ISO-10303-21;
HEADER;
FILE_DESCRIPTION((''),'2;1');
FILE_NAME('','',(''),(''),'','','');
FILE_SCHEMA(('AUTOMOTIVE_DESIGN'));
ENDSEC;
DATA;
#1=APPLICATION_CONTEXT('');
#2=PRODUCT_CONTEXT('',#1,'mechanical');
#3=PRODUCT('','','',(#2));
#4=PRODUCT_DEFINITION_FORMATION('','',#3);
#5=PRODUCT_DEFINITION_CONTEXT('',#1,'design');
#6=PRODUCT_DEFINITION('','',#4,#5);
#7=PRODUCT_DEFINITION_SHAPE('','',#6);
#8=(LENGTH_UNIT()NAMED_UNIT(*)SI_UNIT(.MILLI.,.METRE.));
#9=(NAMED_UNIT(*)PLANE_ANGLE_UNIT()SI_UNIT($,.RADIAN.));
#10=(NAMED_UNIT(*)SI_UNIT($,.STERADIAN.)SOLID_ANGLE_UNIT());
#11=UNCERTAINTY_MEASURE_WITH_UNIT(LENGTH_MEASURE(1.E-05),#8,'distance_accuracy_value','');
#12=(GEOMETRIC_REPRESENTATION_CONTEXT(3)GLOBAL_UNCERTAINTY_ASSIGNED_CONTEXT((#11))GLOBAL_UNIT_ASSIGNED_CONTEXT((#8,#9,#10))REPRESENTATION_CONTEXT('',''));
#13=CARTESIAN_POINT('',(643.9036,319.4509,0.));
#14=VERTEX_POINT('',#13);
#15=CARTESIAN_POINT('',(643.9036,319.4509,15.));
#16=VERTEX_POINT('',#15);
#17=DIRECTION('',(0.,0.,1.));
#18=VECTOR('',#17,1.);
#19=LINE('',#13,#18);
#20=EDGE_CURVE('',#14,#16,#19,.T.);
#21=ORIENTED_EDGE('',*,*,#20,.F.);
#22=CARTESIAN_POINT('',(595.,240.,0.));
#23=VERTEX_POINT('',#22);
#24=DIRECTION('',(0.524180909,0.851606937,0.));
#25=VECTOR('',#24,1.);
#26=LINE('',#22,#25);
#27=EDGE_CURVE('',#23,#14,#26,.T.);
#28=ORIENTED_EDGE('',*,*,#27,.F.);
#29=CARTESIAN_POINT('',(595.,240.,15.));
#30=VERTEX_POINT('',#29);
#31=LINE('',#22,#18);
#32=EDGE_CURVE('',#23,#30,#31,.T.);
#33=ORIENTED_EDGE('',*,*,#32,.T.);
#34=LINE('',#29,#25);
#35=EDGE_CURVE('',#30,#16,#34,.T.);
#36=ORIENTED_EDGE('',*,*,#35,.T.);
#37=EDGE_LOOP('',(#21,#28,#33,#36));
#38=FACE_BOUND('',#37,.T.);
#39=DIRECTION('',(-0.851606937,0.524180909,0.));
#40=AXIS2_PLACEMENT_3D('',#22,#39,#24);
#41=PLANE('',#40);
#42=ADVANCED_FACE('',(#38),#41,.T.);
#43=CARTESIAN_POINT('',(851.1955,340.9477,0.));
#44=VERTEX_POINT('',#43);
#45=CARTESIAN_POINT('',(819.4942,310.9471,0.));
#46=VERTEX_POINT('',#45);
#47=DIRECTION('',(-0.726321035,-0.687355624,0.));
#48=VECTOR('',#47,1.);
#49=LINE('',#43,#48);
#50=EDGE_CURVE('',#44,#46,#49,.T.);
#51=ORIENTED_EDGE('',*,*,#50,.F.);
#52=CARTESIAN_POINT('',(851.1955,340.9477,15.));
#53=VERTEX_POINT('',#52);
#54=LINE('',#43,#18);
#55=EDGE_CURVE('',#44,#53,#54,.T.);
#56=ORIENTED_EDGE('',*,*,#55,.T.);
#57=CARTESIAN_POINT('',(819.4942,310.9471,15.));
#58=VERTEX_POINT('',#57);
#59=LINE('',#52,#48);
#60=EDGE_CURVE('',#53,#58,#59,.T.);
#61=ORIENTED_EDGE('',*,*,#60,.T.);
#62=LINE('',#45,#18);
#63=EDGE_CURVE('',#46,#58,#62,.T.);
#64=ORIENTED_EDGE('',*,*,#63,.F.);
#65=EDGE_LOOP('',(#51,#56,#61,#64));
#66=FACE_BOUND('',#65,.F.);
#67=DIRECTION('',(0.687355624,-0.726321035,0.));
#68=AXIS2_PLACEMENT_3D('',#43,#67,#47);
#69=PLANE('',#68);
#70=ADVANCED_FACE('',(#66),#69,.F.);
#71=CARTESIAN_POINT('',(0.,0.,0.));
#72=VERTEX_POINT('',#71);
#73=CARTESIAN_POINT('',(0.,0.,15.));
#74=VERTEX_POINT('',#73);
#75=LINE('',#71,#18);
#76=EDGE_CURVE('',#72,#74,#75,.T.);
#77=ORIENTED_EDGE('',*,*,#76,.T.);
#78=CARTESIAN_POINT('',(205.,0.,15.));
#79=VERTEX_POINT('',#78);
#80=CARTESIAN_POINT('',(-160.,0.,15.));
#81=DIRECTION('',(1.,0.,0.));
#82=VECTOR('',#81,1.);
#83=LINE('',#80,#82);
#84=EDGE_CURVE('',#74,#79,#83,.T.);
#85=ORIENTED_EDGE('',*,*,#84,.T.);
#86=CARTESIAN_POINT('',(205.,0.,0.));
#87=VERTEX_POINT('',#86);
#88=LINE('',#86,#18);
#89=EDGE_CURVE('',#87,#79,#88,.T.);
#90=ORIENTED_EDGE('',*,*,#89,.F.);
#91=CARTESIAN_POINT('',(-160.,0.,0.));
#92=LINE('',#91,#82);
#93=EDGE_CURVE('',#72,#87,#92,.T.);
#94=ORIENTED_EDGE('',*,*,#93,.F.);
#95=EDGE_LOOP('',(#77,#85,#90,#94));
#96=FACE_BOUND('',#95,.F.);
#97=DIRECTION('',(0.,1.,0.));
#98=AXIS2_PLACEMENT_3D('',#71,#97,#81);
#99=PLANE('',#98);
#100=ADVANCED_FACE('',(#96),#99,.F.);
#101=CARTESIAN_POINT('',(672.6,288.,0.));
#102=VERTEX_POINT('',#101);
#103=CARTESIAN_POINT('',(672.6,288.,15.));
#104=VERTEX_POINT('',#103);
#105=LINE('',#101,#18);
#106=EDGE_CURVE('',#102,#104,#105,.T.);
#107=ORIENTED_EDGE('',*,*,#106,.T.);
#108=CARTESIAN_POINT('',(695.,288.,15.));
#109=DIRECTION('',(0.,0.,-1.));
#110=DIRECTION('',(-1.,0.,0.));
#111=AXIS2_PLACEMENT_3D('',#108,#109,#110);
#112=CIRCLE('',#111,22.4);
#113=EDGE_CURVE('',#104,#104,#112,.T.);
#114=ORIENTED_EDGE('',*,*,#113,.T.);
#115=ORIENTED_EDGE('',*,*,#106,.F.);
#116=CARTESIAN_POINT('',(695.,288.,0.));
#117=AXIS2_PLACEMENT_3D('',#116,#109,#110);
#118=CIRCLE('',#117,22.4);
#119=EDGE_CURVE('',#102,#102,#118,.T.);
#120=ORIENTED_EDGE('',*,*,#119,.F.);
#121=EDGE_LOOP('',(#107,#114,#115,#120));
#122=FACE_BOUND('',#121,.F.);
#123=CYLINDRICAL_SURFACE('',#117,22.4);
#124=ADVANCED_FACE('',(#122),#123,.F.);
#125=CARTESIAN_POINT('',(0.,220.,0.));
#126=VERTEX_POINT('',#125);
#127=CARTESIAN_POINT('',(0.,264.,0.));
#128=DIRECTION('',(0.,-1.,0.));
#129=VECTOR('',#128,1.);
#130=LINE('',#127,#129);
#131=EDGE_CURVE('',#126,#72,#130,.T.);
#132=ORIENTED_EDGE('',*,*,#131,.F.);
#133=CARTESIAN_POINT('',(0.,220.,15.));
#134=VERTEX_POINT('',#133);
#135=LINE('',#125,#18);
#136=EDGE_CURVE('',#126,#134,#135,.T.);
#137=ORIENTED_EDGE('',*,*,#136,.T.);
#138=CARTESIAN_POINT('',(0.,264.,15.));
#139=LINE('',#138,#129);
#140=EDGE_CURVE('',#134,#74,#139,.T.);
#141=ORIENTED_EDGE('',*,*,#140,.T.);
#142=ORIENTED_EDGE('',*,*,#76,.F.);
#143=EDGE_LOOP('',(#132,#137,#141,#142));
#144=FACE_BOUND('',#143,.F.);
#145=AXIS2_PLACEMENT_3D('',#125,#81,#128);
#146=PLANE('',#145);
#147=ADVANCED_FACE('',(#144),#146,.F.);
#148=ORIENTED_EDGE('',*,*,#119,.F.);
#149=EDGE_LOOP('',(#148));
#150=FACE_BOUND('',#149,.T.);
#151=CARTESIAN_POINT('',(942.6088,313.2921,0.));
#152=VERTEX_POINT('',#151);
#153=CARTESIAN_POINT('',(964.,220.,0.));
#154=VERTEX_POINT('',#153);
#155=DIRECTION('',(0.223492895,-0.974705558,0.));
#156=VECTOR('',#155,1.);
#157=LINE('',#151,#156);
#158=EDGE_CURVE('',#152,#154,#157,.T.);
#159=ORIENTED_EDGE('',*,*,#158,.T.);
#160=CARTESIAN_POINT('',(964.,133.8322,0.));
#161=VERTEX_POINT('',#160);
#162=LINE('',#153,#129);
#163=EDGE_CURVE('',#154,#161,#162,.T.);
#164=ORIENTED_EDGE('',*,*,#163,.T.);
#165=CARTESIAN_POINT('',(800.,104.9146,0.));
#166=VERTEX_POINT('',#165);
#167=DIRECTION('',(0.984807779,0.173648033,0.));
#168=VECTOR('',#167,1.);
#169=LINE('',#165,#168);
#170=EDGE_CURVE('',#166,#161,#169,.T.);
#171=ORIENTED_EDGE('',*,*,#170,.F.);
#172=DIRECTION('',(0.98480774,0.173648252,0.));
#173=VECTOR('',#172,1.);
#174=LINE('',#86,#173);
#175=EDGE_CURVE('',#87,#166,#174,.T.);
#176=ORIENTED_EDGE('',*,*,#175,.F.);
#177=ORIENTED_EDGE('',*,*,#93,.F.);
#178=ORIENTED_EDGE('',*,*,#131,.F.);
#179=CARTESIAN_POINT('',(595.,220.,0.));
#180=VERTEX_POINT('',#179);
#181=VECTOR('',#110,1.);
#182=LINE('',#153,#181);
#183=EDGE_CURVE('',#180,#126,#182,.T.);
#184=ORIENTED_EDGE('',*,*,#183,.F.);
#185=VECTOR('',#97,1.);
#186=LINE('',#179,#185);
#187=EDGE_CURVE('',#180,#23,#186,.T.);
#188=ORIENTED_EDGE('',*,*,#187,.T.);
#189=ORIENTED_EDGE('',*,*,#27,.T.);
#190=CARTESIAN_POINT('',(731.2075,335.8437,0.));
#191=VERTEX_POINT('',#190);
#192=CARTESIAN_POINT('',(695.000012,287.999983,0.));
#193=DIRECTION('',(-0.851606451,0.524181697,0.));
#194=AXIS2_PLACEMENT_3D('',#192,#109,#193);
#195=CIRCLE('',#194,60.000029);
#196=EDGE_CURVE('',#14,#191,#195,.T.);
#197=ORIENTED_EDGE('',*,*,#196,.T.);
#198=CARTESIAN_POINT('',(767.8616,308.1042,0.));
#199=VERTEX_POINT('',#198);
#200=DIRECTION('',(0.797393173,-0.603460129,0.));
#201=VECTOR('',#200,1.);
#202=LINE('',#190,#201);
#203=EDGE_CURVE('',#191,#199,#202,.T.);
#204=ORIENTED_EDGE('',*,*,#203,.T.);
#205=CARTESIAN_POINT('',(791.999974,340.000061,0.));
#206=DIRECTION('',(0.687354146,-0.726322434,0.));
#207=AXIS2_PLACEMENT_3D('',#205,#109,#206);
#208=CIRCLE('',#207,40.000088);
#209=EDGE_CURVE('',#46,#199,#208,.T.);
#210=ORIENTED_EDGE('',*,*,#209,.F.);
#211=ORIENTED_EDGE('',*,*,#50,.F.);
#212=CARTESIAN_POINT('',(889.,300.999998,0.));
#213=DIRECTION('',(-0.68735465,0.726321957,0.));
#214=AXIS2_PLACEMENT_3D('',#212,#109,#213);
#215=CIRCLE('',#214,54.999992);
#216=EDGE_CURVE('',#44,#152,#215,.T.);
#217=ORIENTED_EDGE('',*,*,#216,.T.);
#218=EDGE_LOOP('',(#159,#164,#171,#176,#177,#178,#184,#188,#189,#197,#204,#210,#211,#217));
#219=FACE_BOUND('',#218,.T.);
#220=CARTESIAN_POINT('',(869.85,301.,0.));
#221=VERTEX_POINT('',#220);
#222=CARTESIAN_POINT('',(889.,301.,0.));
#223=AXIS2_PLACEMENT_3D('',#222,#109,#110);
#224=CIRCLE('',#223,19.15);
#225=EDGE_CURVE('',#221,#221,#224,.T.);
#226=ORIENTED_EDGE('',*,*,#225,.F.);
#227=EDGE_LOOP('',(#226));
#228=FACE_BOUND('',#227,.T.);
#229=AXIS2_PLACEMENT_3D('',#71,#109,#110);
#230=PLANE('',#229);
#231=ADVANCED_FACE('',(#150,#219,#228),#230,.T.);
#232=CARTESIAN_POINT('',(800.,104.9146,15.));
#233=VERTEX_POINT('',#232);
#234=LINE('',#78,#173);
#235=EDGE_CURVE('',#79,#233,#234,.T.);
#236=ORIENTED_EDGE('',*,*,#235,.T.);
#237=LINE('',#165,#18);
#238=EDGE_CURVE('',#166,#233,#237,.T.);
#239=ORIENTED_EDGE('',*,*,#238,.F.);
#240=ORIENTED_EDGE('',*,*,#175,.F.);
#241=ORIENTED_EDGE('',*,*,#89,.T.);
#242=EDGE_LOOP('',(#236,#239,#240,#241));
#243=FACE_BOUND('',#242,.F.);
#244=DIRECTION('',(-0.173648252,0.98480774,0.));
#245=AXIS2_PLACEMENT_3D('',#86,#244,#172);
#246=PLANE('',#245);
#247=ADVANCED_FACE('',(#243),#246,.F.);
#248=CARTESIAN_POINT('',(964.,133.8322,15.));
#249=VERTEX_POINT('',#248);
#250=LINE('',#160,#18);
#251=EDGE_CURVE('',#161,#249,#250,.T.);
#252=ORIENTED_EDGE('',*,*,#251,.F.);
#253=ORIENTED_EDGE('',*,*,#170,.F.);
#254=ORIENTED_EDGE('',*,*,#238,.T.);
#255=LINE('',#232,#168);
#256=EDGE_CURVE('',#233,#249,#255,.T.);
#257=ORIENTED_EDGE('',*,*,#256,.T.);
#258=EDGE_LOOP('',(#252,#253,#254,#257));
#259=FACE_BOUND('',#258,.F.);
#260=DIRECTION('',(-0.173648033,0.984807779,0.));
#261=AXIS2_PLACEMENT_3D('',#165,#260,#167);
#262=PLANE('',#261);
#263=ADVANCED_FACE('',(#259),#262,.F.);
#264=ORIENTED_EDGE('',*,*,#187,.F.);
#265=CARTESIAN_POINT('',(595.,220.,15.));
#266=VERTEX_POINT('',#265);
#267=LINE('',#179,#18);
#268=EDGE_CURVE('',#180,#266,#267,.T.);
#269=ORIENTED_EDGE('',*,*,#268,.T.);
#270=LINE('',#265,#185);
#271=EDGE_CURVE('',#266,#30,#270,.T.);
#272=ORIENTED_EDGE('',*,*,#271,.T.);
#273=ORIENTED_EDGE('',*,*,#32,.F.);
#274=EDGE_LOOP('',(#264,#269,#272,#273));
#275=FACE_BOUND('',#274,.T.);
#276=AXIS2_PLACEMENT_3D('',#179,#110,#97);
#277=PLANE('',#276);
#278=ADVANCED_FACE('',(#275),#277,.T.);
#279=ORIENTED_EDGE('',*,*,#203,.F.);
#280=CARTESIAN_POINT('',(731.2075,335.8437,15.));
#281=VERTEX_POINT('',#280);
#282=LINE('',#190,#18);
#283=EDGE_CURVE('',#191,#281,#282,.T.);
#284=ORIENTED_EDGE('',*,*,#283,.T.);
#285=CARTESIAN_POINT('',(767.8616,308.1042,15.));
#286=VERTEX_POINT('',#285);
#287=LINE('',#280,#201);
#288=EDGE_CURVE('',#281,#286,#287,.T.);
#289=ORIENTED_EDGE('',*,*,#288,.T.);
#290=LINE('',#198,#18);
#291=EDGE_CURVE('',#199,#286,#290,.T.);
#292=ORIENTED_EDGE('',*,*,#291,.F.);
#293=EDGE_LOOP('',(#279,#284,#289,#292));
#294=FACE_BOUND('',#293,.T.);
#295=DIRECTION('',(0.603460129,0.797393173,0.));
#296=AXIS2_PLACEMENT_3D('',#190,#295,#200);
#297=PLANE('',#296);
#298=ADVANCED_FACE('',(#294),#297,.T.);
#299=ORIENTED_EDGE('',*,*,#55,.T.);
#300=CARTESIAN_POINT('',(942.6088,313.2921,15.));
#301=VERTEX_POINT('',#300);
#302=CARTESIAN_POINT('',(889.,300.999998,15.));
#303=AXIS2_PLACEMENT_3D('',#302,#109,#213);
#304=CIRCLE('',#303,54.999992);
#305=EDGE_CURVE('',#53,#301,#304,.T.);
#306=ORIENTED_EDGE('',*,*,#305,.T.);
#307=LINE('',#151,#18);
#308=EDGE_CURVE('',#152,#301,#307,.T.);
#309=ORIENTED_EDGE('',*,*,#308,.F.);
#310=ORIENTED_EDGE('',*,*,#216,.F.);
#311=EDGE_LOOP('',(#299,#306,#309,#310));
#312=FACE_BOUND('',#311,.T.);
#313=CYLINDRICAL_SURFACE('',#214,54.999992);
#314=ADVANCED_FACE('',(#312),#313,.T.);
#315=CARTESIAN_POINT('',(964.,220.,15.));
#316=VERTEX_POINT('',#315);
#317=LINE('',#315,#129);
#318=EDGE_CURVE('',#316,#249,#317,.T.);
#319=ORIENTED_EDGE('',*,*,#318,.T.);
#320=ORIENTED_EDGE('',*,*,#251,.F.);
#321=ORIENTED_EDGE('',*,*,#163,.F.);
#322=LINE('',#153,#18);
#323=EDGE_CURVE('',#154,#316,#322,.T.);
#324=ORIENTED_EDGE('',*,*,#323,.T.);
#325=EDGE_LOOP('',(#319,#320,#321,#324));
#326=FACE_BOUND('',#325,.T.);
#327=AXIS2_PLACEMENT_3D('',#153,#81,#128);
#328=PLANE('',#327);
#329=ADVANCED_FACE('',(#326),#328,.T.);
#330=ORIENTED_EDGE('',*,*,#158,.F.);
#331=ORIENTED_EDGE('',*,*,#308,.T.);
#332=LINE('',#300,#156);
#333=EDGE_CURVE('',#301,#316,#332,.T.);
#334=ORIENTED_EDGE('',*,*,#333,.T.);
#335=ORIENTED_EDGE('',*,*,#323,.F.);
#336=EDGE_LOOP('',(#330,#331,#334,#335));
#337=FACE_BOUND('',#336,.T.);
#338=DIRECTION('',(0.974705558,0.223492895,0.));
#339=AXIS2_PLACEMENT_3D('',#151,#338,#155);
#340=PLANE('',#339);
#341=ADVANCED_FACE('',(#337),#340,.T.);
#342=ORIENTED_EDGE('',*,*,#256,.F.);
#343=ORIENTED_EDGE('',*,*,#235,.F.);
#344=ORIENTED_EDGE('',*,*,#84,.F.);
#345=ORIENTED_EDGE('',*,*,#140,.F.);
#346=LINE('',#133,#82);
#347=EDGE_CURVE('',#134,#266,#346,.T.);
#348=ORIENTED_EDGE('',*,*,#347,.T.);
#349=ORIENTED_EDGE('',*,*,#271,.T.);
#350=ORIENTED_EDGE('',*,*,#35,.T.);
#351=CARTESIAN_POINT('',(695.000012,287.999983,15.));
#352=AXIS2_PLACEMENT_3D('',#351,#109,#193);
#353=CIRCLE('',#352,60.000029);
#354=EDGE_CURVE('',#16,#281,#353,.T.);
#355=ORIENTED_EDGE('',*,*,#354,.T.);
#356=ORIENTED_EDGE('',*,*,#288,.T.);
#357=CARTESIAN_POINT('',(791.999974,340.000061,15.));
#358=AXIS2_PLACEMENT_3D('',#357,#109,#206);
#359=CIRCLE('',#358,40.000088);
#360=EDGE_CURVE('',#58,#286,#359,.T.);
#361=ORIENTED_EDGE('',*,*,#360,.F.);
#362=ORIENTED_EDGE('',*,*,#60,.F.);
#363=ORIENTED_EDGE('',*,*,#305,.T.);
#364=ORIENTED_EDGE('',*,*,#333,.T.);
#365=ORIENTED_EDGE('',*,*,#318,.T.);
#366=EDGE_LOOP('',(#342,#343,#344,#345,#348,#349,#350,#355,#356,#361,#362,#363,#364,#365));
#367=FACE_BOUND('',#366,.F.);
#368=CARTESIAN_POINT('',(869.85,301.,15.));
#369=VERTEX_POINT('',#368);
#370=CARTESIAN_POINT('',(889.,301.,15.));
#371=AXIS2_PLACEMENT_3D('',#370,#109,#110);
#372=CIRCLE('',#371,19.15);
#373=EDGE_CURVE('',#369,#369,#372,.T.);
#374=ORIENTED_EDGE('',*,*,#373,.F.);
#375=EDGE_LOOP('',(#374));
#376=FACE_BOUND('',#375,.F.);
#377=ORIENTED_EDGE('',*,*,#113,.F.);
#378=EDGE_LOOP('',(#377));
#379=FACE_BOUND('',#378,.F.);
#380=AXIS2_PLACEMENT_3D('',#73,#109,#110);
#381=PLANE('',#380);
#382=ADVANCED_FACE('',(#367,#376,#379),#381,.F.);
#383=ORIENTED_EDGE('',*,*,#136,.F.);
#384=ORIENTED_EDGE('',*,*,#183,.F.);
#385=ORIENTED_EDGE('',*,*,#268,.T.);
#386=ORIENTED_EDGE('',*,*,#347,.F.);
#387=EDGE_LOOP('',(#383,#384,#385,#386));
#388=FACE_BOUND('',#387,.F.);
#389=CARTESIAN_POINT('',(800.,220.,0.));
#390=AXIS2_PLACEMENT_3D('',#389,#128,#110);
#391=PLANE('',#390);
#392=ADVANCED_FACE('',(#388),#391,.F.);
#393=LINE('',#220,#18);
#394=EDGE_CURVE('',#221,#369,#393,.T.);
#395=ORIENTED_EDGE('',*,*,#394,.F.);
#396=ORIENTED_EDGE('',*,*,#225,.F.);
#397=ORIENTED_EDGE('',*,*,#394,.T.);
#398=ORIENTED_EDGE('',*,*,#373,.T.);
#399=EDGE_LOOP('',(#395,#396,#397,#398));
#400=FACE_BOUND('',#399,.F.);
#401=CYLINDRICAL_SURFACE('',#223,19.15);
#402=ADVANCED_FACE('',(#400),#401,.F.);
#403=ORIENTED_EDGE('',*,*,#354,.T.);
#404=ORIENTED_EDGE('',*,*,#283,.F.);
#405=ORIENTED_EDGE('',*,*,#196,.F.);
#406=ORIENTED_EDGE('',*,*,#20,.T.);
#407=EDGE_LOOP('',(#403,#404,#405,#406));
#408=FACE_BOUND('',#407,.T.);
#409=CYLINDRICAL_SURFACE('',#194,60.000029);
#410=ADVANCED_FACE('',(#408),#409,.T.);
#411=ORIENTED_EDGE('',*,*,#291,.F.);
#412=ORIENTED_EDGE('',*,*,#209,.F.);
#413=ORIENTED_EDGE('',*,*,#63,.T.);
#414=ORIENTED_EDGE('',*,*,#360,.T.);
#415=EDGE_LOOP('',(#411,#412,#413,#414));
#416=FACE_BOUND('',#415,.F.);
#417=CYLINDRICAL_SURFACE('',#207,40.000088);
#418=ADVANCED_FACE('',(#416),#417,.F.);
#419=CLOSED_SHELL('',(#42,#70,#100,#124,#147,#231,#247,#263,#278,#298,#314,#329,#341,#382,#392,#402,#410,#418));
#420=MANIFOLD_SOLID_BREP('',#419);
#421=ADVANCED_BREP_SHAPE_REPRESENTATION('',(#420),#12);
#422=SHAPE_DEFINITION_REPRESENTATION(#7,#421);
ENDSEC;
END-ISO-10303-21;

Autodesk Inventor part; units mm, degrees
ref_plane "YZ Plane" through (0, 0, 0) normal (1, 0, 0) x (0, 1, 0)
ref_plane "XZ Plane" through (0, 0, 0) normal (0, 1, 0) x (-1, 0, 0)
ref_plane "XY Plane" through (0, 0, 0) normal (0, 0, 1) x (1, 0, 0)
sketch "Sketch2" plane through (0, 0, 0) normal (0, 0, 1) x (1, 0, 0)
  line L0 (0, 264) -> (0, -44) projected
  line L1 (-160, 0) -> (960, 0) projected
  line L2 (0, 0) -> (205, 0)
  line L3 (800, 220) -> (0, 220)
  line L4 (0, 220) -> (0, 0)
  line L5 (800, 104.9146) -> (800, 220)
  line L6 (205, 0) -> (800, 104.9146)
  dimension "d7" = 220
  dimension "d20" = 800
  dimension "d34" = 10
  dimension "d37" = 205
extrude "Extrusion2" add sketch "Sketch2" along normal blind 15
sketch "Sketch5" plane through (0, 0, 0) normal (0, 0, -1) x (-1, 0, 0)
  line L0 (-800, 104.9146) -> (-800, 220) projected
  line L1 (-205, 0) -> (-800, 104.9146) projected
  line L2 (-800, 220) -> (-964, 220)
  line L3 (-964, 220) -> (-964, 133.8322)
  line L4 (-800, 104.9146) -> (-964, 133.8322)
  line L5 (0, 220) -> (0, 0) projected
  dimension "d40" = 964
extrude "Extrusion4" add sketch "Sketch5" against normal up to surface (15 mm away)
sketch "Sketch3" plane through (0, 0, 0) normal (0, 0, -1) x (-1, 0, 0)
  line L0 (0, 220) -> (0, 0) projected
  line L1 (-800, 220) -> (0, 220) projected
  line L2 (-800, 104.9146) -> (-800, 220) projected
  line L3 (-595, 220) -> (-595, 240)
  circle A0 centre (-695, 288) radius 22.4
  circle A1 centre (-889, 301) radius 19.15
  arc A2 (-851.1955, 340.9477) -> (-942.6088, 313.2921) centre (-889, 301) ccw
  arc A3 (-643.9036, 319.4509) -> (-731.2075, 335.8437) centre (-695, 288) ccw
  line L4 (-595, 240) -> (-643.9036, 319.4509)
  line L5 (-942.6088, 313.2921) -> (-964, 220)
  line L6 (-964, 220) -> (-595, 220)
  line L7 (-731.2075, 335.8437) -> (-767.8616, 308.1042)
  line L8 (-851.1955, 340.9477) -> (-819.4942, 310.9471)
  arc A4 (-819.4942, 310.9471) -> (-767.8616, 308.1042) centre (-792, 340) ccw
  dimension "d23" = 44.8
  dimension "d26" = 695
  dimension "d28" = 68
  dimension "d29" = 20
  dimension "d35" = 100
  dimension "d41" = 38.3
  dimension "d42" = 81
  dimension "d43" = 194
  dimension "d45" = 110
  dimension "d46" = 60
  dimension "d47" = 97
  dimension "d48" = 40
  dimension "d49" = 120
extrude "Extrusion3" add sketch "Sketch3" against normal up to surface (15 mm away)
equation "\"d47\" = 0.5 * d43"
properties part number "Plate" material "EN10025 P6 2004 S690QL"
